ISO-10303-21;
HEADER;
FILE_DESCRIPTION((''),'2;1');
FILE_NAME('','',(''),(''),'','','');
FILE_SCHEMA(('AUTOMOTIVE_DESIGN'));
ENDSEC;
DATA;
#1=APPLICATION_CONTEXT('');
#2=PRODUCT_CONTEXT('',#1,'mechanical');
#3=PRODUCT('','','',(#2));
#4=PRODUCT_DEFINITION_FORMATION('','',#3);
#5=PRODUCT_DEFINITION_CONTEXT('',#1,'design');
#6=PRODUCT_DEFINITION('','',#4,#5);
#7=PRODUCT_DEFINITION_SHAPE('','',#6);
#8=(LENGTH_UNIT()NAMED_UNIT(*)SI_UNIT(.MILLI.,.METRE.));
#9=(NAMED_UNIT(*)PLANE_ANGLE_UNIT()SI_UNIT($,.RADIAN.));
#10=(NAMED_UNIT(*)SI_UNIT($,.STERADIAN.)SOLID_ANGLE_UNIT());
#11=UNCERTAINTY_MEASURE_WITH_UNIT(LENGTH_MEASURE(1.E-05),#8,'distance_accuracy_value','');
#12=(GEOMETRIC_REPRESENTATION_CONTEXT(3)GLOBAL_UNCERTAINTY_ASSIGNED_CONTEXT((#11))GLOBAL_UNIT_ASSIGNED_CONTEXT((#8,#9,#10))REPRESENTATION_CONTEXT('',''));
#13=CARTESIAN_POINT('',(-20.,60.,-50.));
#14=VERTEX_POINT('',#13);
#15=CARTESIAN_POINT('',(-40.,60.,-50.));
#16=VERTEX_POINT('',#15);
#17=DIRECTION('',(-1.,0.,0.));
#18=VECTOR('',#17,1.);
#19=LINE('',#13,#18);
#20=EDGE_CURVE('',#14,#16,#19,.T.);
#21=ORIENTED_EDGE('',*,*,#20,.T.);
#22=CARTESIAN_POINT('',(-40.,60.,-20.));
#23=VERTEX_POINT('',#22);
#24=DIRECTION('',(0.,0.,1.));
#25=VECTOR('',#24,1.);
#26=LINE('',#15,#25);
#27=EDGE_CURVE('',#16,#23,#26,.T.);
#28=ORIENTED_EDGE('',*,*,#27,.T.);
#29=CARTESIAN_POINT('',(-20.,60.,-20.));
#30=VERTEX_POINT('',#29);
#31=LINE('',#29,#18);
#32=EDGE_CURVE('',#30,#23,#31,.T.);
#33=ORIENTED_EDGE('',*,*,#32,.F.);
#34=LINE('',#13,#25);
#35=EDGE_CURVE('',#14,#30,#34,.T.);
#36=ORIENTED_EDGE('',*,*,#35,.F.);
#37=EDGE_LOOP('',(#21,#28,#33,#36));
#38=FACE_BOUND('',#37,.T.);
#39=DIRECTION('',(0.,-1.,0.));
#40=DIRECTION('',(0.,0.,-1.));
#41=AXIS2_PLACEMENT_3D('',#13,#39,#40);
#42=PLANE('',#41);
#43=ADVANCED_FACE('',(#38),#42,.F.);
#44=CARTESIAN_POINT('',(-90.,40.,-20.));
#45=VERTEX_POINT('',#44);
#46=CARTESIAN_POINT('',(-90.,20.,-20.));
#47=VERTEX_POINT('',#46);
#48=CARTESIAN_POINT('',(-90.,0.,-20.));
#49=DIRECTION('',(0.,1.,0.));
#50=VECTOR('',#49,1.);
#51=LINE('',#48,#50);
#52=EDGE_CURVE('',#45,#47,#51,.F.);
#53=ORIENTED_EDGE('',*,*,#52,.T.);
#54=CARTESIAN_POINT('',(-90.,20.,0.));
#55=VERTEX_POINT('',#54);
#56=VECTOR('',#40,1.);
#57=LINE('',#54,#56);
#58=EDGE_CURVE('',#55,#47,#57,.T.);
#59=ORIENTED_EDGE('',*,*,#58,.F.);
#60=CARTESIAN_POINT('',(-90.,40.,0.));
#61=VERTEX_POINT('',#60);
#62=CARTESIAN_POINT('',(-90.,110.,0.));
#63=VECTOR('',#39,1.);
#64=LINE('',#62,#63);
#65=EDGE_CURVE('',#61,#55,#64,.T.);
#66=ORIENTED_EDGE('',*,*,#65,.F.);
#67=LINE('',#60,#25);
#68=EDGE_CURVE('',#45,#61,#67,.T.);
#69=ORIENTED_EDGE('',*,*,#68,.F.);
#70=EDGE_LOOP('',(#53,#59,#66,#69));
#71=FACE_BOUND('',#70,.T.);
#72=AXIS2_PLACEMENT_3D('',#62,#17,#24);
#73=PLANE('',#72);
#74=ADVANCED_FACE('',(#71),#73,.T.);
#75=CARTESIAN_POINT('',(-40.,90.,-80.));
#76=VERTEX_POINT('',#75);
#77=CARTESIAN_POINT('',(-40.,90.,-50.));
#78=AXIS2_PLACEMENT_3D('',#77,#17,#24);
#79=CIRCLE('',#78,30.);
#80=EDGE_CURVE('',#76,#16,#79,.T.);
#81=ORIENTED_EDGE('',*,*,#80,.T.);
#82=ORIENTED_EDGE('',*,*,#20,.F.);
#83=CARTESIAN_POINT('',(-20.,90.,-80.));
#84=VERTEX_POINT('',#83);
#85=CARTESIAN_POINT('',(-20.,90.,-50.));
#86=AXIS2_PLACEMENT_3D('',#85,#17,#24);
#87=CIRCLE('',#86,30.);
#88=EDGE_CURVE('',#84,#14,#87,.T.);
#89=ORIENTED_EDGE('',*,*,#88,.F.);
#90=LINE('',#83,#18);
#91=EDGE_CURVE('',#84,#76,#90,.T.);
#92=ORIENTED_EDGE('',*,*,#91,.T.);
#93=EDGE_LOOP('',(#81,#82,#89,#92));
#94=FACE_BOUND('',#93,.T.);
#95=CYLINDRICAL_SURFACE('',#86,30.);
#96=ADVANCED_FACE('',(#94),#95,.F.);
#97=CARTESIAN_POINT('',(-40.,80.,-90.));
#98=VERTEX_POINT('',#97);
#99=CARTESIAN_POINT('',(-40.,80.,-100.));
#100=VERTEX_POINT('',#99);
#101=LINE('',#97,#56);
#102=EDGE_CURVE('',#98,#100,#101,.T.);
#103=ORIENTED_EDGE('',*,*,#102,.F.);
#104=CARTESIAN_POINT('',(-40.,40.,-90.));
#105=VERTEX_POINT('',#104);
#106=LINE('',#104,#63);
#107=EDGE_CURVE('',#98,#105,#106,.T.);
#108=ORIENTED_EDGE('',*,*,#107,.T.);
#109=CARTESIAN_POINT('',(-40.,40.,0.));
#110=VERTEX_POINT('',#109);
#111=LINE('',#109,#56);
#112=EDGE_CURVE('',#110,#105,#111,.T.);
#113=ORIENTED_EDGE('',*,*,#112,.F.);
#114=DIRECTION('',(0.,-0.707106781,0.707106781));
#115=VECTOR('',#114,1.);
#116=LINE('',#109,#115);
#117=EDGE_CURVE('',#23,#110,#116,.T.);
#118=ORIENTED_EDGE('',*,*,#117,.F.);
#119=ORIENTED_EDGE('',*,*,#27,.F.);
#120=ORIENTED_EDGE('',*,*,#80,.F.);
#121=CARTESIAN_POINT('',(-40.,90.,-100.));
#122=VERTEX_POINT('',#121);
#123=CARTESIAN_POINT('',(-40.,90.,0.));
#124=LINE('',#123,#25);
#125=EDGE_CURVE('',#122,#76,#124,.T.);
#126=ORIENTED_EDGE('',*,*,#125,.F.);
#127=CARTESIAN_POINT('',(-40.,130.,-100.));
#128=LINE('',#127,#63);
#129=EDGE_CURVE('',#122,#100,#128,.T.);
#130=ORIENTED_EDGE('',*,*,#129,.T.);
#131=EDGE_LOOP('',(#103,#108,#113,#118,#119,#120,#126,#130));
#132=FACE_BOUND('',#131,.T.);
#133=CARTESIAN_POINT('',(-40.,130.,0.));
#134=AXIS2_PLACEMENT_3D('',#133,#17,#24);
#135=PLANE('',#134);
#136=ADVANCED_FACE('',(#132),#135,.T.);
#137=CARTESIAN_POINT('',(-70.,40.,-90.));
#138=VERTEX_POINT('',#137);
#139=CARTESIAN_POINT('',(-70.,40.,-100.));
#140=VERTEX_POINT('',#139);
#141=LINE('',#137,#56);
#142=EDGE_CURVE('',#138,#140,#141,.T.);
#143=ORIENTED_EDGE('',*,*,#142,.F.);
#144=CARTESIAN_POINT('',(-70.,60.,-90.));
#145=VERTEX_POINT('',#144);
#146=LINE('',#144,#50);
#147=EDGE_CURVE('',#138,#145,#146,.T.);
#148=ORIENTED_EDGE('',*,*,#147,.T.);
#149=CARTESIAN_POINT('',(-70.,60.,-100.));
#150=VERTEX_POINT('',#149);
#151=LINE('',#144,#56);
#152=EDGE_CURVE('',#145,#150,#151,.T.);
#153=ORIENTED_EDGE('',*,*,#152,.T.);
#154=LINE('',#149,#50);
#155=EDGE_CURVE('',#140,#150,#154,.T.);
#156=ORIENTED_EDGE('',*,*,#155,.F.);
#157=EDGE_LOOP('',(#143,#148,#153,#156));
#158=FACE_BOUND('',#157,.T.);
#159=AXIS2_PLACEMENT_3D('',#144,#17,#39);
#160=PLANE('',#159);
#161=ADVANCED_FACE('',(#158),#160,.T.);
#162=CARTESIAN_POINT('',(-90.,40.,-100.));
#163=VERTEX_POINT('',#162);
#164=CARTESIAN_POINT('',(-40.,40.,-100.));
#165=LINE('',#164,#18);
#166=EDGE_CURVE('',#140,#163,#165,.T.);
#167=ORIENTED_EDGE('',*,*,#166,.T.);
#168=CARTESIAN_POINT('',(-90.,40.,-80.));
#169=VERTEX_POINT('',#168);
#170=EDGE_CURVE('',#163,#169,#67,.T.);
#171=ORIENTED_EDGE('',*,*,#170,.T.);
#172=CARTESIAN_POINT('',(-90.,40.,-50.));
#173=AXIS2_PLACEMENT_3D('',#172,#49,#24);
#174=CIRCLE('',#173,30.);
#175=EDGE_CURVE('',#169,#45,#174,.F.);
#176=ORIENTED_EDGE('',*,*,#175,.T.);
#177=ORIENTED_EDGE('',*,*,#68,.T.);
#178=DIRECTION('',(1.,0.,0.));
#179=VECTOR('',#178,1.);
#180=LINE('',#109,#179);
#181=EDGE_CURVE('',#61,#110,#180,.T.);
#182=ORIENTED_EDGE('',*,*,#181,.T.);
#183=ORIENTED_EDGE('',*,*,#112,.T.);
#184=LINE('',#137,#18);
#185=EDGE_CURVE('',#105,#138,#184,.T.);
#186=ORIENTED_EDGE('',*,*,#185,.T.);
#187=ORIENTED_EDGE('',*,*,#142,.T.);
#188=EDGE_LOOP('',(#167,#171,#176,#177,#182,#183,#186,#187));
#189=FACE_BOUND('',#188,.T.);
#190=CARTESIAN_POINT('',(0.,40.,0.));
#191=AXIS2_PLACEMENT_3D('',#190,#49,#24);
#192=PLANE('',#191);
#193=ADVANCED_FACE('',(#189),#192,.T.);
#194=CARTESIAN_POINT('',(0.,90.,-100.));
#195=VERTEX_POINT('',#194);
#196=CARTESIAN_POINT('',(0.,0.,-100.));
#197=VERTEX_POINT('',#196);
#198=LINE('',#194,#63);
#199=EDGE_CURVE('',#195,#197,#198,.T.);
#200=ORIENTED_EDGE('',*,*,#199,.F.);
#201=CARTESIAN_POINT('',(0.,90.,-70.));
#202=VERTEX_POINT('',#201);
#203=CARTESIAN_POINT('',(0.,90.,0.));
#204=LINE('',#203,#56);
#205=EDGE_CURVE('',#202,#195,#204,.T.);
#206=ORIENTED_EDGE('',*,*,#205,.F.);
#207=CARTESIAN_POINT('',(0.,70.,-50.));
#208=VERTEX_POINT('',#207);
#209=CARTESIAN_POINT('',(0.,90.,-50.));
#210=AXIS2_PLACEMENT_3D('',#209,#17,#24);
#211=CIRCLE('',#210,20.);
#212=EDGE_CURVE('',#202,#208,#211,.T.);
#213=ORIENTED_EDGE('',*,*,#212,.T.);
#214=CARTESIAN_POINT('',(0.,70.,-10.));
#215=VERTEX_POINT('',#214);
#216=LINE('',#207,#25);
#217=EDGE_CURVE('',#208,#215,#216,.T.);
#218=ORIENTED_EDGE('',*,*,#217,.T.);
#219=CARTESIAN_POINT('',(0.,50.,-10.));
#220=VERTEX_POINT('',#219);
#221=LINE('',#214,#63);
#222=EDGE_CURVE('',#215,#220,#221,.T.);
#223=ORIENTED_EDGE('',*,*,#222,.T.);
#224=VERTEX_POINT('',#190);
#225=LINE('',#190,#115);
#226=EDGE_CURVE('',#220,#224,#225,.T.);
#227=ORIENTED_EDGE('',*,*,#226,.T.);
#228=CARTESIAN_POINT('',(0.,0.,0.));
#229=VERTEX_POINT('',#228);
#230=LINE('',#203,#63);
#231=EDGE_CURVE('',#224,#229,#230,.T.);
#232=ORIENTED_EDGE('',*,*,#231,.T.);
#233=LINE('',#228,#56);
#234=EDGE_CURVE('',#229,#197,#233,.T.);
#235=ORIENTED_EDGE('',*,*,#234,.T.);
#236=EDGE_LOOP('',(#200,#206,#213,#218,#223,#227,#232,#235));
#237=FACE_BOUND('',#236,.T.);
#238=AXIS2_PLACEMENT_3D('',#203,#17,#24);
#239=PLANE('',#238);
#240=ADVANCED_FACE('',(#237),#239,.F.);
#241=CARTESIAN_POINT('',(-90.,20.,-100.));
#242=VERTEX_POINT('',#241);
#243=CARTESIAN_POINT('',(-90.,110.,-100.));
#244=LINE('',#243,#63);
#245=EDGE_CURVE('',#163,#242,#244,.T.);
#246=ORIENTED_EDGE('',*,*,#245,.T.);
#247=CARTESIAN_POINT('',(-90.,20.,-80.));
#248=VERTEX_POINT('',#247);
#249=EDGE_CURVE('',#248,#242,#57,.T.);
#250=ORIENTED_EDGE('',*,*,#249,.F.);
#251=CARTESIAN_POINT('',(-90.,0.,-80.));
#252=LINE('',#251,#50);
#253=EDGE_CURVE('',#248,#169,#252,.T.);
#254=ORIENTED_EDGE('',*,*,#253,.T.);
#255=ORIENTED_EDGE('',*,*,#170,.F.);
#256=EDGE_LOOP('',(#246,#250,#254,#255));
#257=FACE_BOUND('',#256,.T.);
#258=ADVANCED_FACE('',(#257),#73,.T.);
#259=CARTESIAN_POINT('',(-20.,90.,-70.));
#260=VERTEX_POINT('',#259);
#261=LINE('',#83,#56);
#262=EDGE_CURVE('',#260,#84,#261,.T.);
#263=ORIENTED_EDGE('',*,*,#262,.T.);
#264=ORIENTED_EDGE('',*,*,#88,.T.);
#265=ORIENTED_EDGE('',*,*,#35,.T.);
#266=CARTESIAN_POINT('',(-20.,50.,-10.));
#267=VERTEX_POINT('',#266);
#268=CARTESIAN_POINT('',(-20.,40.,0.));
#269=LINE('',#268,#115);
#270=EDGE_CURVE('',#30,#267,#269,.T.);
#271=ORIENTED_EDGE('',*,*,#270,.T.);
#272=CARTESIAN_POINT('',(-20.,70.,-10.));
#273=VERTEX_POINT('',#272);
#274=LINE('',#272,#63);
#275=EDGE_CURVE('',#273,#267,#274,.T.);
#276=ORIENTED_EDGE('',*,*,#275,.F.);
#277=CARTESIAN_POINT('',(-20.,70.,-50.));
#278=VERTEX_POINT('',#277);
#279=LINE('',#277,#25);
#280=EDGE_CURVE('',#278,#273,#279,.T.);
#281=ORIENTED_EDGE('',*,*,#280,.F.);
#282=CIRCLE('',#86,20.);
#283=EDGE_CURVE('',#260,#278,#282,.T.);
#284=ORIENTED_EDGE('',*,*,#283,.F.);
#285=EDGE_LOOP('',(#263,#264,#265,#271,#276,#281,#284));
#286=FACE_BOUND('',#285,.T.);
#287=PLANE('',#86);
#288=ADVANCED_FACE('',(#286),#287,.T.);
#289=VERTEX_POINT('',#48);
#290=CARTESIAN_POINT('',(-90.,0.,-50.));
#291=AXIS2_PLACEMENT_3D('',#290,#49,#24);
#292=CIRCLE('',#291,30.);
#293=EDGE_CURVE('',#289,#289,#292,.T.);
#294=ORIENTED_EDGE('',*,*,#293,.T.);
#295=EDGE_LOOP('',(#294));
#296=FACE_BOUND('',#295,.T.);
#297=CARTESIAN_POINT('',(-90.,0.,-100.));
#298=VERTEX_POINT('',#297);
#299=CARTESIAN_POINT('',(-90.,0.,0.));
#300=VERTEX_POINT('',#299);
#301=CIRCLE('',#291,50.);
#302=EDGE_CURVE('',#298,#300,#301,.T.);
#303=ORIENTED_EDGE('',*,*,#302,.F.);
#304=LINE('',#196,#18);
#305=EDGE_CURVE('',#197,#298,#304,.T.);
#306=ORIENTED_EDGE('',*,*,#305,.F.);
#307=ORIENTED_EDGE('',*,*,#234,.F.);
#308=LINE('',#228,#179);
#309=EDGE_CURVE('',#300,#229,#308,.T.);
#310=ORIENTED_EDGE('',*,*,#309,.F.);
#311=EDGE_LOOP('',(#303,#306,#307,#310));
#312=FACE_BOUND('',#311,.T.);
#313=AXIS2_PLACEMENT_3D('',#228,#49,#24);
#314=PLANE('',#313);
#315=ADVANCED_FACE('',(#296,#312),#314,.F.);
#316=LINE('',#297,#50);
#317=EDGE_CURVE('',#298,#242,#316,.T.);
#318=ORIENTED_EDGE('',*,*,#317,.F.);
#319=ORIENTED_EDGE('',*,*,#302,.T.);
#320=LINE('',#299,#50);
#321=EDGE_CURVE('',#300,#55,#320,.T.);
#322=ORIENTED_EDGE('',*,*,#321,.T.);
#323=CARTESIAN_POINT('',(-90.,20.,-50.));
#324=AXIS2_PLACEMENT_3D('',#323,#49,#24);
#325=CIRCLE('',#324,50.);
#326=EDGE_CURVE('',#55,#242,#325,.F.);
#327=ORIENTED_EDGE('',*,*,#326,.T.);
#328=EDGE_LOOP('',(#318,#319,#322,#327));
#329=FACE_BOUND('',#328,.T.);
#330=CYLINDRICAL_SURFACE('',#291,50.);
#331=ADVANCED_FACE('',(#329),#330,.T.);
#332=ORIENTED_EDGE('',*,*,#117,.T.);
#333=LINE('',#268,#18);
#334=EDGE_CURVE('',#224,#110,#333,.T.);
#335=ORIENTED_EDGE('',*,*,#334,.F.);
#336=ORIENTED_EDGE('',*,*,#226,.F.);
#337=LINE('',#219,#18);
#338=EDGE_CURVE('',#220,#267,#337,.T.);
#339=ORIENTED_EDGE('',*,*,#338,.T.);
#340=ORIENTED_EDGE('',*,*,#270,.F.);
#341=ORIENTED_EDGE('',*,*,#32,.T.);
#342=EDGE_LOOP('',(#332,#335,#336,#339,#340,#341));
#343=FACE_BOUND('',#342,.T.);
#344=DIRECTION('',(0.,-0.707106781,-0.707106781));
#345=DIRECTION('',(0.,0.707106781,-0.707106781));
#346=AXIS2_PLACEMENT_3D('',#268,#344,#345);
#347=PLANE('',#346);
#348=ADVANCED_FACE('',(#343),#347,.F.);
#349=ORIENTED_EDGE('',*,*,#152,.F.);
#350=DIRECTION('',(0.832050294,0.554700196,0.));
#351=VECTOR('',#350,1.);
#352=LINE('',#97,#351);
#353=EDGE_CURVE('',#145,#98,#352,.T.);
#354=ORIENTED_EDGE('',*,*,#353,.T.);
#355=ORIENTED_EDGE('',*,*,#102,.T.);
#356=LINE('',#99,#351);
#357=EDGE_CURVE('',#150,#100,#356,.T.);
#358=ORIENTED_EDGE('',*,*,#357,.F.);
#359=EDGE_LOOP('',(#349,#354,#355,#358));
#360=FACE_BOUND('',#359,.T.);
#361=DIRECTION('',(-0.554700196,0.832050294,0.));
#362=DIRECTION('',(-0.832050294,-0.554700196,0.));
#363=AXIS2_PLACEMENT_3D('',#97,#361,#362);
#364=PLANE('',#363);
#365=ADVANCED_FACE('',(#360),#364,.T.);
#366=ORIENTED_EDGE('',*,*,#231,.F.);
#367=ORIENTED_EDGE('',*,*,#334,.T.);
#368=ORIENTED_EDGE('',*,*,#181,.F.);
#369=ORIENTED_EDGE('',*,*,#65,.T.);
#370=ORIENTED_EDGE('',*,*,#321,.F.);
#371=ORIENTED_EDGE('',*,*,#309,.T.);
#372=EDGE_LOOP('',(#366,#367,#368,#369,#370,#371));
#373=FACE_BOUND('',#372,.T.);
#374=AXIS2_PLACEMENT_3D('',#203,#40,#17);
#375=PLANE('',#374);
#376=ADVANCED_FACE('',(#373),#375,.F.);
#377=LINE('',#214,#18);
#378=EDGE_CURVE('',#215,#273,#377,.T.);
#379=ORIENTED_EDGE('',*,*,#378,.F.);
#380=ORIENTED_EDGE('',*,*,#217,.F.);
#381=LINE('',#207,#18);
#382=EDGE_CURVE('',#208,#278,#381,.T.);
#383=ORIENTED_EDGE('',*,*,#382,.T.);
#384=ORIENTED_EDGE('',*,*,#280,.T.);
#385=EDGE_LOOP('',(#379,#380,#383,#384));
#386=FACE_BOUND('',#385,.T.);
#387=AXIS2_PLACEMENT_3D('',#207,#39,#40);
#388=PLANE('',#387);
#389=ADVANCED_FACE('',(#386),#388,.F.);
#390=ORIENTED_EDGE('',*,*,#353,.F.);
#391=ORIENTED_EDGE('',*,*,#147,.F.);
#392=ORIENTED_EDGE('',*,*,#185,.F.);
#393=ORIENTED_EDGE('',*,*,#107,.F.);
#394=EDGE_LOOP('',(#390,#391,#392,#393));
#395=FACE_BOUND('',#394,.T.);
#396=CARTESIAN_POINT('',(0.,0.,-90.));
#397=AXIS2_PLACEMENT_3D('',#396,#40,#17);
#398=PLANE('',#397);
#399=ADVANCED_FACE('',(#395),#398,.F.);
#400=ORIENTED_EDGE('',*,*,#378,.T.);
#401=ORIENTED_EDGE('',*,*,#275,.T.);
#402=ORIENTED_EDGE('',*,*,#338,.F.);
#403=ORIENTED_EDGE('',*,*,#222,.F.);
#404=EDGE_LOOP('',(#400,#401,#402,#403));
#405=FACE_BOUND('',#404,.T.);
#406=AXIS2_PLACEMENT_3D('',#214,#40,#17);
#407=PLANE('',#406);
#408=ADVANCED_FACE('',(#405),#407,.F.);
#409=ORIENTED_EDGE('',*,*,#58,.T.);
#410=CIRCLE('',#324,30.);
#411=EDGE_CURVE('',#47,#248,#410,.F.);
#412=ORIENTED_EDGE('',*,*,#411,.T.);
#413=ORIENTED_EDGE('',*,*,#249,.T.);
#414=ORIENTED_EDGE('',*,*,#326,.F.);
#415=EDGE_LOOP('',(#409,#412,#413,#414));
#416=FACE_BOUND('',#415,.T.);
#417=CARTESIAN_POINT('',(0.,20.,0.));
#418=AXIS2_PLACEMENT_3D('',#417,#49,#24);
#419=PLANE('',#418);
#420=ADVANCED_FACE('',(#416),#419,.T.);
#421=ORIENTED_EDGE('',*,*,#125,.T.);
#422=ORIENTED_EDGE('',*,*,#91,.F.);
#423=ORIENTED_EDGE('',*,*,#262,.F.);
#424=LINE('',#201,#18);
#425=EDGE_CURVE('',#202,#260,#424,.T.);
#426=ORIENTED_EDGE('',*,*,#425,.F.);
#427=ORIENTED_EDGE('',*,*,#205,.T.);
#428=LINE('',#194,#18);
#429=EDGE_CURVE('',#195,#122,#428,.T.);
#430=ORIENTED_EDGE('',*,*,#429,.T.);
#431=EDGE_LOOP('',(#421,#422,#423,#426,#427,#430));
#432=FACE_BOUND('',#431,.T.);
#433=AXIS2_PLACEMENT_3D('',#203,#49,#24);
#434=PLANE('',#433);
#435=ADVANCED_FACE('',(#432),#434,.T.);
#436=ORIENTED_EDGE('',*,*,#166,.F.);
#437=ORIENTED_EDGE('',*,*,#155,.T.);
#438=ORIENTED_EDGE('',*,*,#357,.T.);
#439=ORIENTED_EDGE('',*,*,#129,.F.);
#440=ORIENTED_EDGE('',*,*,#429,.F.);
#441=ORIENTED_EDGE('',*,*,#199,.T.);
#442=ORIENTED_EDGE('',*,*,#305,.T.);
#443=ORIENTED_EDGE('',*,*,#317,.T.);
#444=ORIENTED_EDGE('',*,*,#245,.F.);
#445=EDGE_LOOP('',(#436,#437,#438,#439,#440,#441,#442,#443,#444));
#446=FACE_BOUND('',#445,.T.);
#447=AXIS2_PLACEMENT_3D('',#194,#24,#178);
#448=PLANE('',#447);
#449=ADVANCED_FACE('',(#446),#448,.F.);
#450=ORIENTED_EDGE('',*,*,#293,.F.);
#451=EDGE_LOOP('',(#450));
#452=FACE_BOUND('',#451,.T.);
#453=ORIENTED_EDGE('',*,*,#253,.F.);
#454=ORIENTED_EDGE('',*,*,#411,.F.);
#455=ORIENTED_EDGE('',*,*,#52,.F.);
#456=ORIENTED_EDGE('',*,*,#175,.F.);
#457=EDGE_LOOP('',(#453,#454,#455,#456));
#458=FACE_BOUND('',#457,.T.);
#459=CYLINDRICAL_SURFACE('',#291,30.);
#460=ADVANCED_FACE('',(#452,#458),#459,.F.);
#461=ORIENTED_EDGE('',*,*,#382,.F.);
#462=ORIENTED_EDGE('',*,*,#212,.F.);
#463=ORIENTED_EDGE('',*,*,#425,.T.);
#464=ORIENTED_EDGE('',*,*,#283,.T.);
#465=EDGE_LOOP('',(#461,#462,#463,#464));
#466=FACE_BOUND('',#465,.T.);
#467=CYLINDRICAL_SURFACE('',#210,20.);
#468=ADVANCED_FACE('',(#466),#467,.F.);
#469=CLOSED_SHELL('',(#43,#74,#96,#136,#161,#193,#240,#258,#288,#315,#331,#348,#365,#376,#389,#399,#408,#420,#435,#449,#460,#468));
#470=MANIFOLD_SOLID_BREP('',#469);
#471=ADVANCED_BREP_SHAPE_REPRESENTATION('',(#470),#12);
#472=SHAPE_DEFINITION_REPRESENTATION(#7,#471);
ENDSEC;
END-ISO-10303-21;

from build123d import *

# Parameters (mm, degrees)
SKETCH2_W           = 140
SKETCH2_H           = 100
BOSS_EXTRUDE2_DEPTH = 90
CUT_EXTRUDE1_DEPTH  = 90
SKETCH4_R           = 30
CUT_EXTRUDE2_DEPTH  = 90
SKETCH5_W           = 50
SKETCH5_H           = 100
CUT_EXTRUDE3_DEPTH  = 90
SKETCH6_W           = 50
SKETCH6_H           = 100
CUT_EXTRUDE4_DEPTH  = 90
CUT_EXTRUDE5_DEPTH  = 20
CUT_EXTRUDE6_DEPTH  = 20
CUT_EXTRUDE7_DEPTH  = 20
BOSS_EXTRUDE3_DEPTH = 10


with BuildPart() as part:
    # Sketch2 → Boss-Extrude2 (new body)
    with BuildSketch(Plane(origin=(0, 0, 0), x_dir=(1, 0, 0), z_dir=(0, 1, 0))):
        with Locations((-70, 50)):
            Rectangle(SKETCH2_W, SKETCH2_H)
    extrude(amount=BOSS_EXTRUDE2_DEPTH)

    # Sketch3 → Cut-Extrude1 (cut)
    with BuildSketch(Plane(origin=(0, 90, 0), x_dir=(1, 0, 0), z_dir=(0, 1, 0))):
        with BuildLine():
            ThreePointArc((-140, 50), (-125.355339059, 85.355339059), (-90, 100))
            Line((-90, 100), (-140, 100))
            Line((-140, 100), (-140, 50))
        make_face()
        with BuildLine():
            ThreePointArc((-90, 0), (-125.355339059, 14.644660941), (-140, 50))
            Line((-140, 50), (-140, 0))
            Line((-140, 0), (-90, 0))
        make_face()
    extrude(amount=-CUT_EXTRUDE1_DEPTH, mode=Mode.SUBTRACT)

    # Sketch4 → Cut-Extrude2 (cut)
    with BuildSketch(Plane(origin=(0, 90, 0), x_dir=(1, 0, 0), z_dir=(0, 1, 0))):
        with Locations((-90, 50)):
            Circle(SKETCH4_R)
    extrude(amount=-CUT_EXTRUDE2_DEPTH, mode=Mode.SUBTRACT)

    # Sketch5 → Cut-Extrude3 (cut)
    with BuildSketch(Plane(origin=(0, 20, 0), x_dir=(1, 0, 0), z_dir=(0, 1, 0))):
        with Locations((-115, 50)):
            Rectangle(SKETCH5_W, SKETCH5_H)
    extrude(amount=CUT_EXTRUDE3_DEPTH, mode=Mode.SUBTRACT)

    # Sketch6 → Cut-Extrude4 (cut)
    with BuildSketch(Plane(origin=(0, 40, 0), x_dir=(1, 0, 0), z_dir=(0, 1, 0))):
        with Locations((-65, 50)):
            Rectangle(SKETCH6_W, SKETCH6_H)
    extrude(amount=CUT_EXTRUDE4_DEPTH, mode=Mode.SUBTRACT)

    # Sketch7 → Cut-Extrude5 (cut)
    with BuildSketch(Plane.ZY.offset(40)):
        with BuildLine():
            Line((-50, 60), (0, 60))
            Line((0, 60), (0, 90))
            Line((0, 90), (-80, 90))
            ThreePointArc((-80, 90), (-71.213203436, 68.786796564), (-50, 60))
        make_face()
    extrude(amount=-CUT_EXTRUDE5_DEPTH, mode=Mode.SUBTRACT)

    # Sketch8 → Cut-Extrude6 (cut)
    with BuildSketch(Plane.ZY.offset(40)):
        Polygon((0, 40), (-20, 60), (0, 60), align=None)
    extrude(amount=-CUT_EXTRUDE6_DEPTH, mode=Mode.SUBTRACT)

    # Sketch9 → Cut-Extrude7 (cut)
    with BuildSketch(Plane.ZY.offset(20)):
        with BuildLine():
            Line((-50, 70), (-10, 70))
            Line((-10, 70), (-10, 50))
            Line((-10, 50), (0, 40))
            Line((0, 40), (0, 90))
            Line((0, 90), (-70, 90))
            ThreePointArc((-70, 90), (-64.142135624, 75.857864376), (-50, 70))
        make_face()
    extrude(amount=-CUT_EXTRUDE7_DEPTH, mode=Mode.SUBTRACT)

    # Sketch10 → Boss-Extrude3 (add)
    with BuildSketch(Plane(origin=(0, 0, -100), x_dir=(-1, 0, 0), z_dir=(0, 0, -1))):
        Polygon((40, 80), (70, 60), (70, 40), (40, 40), align=None)
    extrude(amount=-BOSS_EXTRUDE3_DEPTH)


solid = part.part
